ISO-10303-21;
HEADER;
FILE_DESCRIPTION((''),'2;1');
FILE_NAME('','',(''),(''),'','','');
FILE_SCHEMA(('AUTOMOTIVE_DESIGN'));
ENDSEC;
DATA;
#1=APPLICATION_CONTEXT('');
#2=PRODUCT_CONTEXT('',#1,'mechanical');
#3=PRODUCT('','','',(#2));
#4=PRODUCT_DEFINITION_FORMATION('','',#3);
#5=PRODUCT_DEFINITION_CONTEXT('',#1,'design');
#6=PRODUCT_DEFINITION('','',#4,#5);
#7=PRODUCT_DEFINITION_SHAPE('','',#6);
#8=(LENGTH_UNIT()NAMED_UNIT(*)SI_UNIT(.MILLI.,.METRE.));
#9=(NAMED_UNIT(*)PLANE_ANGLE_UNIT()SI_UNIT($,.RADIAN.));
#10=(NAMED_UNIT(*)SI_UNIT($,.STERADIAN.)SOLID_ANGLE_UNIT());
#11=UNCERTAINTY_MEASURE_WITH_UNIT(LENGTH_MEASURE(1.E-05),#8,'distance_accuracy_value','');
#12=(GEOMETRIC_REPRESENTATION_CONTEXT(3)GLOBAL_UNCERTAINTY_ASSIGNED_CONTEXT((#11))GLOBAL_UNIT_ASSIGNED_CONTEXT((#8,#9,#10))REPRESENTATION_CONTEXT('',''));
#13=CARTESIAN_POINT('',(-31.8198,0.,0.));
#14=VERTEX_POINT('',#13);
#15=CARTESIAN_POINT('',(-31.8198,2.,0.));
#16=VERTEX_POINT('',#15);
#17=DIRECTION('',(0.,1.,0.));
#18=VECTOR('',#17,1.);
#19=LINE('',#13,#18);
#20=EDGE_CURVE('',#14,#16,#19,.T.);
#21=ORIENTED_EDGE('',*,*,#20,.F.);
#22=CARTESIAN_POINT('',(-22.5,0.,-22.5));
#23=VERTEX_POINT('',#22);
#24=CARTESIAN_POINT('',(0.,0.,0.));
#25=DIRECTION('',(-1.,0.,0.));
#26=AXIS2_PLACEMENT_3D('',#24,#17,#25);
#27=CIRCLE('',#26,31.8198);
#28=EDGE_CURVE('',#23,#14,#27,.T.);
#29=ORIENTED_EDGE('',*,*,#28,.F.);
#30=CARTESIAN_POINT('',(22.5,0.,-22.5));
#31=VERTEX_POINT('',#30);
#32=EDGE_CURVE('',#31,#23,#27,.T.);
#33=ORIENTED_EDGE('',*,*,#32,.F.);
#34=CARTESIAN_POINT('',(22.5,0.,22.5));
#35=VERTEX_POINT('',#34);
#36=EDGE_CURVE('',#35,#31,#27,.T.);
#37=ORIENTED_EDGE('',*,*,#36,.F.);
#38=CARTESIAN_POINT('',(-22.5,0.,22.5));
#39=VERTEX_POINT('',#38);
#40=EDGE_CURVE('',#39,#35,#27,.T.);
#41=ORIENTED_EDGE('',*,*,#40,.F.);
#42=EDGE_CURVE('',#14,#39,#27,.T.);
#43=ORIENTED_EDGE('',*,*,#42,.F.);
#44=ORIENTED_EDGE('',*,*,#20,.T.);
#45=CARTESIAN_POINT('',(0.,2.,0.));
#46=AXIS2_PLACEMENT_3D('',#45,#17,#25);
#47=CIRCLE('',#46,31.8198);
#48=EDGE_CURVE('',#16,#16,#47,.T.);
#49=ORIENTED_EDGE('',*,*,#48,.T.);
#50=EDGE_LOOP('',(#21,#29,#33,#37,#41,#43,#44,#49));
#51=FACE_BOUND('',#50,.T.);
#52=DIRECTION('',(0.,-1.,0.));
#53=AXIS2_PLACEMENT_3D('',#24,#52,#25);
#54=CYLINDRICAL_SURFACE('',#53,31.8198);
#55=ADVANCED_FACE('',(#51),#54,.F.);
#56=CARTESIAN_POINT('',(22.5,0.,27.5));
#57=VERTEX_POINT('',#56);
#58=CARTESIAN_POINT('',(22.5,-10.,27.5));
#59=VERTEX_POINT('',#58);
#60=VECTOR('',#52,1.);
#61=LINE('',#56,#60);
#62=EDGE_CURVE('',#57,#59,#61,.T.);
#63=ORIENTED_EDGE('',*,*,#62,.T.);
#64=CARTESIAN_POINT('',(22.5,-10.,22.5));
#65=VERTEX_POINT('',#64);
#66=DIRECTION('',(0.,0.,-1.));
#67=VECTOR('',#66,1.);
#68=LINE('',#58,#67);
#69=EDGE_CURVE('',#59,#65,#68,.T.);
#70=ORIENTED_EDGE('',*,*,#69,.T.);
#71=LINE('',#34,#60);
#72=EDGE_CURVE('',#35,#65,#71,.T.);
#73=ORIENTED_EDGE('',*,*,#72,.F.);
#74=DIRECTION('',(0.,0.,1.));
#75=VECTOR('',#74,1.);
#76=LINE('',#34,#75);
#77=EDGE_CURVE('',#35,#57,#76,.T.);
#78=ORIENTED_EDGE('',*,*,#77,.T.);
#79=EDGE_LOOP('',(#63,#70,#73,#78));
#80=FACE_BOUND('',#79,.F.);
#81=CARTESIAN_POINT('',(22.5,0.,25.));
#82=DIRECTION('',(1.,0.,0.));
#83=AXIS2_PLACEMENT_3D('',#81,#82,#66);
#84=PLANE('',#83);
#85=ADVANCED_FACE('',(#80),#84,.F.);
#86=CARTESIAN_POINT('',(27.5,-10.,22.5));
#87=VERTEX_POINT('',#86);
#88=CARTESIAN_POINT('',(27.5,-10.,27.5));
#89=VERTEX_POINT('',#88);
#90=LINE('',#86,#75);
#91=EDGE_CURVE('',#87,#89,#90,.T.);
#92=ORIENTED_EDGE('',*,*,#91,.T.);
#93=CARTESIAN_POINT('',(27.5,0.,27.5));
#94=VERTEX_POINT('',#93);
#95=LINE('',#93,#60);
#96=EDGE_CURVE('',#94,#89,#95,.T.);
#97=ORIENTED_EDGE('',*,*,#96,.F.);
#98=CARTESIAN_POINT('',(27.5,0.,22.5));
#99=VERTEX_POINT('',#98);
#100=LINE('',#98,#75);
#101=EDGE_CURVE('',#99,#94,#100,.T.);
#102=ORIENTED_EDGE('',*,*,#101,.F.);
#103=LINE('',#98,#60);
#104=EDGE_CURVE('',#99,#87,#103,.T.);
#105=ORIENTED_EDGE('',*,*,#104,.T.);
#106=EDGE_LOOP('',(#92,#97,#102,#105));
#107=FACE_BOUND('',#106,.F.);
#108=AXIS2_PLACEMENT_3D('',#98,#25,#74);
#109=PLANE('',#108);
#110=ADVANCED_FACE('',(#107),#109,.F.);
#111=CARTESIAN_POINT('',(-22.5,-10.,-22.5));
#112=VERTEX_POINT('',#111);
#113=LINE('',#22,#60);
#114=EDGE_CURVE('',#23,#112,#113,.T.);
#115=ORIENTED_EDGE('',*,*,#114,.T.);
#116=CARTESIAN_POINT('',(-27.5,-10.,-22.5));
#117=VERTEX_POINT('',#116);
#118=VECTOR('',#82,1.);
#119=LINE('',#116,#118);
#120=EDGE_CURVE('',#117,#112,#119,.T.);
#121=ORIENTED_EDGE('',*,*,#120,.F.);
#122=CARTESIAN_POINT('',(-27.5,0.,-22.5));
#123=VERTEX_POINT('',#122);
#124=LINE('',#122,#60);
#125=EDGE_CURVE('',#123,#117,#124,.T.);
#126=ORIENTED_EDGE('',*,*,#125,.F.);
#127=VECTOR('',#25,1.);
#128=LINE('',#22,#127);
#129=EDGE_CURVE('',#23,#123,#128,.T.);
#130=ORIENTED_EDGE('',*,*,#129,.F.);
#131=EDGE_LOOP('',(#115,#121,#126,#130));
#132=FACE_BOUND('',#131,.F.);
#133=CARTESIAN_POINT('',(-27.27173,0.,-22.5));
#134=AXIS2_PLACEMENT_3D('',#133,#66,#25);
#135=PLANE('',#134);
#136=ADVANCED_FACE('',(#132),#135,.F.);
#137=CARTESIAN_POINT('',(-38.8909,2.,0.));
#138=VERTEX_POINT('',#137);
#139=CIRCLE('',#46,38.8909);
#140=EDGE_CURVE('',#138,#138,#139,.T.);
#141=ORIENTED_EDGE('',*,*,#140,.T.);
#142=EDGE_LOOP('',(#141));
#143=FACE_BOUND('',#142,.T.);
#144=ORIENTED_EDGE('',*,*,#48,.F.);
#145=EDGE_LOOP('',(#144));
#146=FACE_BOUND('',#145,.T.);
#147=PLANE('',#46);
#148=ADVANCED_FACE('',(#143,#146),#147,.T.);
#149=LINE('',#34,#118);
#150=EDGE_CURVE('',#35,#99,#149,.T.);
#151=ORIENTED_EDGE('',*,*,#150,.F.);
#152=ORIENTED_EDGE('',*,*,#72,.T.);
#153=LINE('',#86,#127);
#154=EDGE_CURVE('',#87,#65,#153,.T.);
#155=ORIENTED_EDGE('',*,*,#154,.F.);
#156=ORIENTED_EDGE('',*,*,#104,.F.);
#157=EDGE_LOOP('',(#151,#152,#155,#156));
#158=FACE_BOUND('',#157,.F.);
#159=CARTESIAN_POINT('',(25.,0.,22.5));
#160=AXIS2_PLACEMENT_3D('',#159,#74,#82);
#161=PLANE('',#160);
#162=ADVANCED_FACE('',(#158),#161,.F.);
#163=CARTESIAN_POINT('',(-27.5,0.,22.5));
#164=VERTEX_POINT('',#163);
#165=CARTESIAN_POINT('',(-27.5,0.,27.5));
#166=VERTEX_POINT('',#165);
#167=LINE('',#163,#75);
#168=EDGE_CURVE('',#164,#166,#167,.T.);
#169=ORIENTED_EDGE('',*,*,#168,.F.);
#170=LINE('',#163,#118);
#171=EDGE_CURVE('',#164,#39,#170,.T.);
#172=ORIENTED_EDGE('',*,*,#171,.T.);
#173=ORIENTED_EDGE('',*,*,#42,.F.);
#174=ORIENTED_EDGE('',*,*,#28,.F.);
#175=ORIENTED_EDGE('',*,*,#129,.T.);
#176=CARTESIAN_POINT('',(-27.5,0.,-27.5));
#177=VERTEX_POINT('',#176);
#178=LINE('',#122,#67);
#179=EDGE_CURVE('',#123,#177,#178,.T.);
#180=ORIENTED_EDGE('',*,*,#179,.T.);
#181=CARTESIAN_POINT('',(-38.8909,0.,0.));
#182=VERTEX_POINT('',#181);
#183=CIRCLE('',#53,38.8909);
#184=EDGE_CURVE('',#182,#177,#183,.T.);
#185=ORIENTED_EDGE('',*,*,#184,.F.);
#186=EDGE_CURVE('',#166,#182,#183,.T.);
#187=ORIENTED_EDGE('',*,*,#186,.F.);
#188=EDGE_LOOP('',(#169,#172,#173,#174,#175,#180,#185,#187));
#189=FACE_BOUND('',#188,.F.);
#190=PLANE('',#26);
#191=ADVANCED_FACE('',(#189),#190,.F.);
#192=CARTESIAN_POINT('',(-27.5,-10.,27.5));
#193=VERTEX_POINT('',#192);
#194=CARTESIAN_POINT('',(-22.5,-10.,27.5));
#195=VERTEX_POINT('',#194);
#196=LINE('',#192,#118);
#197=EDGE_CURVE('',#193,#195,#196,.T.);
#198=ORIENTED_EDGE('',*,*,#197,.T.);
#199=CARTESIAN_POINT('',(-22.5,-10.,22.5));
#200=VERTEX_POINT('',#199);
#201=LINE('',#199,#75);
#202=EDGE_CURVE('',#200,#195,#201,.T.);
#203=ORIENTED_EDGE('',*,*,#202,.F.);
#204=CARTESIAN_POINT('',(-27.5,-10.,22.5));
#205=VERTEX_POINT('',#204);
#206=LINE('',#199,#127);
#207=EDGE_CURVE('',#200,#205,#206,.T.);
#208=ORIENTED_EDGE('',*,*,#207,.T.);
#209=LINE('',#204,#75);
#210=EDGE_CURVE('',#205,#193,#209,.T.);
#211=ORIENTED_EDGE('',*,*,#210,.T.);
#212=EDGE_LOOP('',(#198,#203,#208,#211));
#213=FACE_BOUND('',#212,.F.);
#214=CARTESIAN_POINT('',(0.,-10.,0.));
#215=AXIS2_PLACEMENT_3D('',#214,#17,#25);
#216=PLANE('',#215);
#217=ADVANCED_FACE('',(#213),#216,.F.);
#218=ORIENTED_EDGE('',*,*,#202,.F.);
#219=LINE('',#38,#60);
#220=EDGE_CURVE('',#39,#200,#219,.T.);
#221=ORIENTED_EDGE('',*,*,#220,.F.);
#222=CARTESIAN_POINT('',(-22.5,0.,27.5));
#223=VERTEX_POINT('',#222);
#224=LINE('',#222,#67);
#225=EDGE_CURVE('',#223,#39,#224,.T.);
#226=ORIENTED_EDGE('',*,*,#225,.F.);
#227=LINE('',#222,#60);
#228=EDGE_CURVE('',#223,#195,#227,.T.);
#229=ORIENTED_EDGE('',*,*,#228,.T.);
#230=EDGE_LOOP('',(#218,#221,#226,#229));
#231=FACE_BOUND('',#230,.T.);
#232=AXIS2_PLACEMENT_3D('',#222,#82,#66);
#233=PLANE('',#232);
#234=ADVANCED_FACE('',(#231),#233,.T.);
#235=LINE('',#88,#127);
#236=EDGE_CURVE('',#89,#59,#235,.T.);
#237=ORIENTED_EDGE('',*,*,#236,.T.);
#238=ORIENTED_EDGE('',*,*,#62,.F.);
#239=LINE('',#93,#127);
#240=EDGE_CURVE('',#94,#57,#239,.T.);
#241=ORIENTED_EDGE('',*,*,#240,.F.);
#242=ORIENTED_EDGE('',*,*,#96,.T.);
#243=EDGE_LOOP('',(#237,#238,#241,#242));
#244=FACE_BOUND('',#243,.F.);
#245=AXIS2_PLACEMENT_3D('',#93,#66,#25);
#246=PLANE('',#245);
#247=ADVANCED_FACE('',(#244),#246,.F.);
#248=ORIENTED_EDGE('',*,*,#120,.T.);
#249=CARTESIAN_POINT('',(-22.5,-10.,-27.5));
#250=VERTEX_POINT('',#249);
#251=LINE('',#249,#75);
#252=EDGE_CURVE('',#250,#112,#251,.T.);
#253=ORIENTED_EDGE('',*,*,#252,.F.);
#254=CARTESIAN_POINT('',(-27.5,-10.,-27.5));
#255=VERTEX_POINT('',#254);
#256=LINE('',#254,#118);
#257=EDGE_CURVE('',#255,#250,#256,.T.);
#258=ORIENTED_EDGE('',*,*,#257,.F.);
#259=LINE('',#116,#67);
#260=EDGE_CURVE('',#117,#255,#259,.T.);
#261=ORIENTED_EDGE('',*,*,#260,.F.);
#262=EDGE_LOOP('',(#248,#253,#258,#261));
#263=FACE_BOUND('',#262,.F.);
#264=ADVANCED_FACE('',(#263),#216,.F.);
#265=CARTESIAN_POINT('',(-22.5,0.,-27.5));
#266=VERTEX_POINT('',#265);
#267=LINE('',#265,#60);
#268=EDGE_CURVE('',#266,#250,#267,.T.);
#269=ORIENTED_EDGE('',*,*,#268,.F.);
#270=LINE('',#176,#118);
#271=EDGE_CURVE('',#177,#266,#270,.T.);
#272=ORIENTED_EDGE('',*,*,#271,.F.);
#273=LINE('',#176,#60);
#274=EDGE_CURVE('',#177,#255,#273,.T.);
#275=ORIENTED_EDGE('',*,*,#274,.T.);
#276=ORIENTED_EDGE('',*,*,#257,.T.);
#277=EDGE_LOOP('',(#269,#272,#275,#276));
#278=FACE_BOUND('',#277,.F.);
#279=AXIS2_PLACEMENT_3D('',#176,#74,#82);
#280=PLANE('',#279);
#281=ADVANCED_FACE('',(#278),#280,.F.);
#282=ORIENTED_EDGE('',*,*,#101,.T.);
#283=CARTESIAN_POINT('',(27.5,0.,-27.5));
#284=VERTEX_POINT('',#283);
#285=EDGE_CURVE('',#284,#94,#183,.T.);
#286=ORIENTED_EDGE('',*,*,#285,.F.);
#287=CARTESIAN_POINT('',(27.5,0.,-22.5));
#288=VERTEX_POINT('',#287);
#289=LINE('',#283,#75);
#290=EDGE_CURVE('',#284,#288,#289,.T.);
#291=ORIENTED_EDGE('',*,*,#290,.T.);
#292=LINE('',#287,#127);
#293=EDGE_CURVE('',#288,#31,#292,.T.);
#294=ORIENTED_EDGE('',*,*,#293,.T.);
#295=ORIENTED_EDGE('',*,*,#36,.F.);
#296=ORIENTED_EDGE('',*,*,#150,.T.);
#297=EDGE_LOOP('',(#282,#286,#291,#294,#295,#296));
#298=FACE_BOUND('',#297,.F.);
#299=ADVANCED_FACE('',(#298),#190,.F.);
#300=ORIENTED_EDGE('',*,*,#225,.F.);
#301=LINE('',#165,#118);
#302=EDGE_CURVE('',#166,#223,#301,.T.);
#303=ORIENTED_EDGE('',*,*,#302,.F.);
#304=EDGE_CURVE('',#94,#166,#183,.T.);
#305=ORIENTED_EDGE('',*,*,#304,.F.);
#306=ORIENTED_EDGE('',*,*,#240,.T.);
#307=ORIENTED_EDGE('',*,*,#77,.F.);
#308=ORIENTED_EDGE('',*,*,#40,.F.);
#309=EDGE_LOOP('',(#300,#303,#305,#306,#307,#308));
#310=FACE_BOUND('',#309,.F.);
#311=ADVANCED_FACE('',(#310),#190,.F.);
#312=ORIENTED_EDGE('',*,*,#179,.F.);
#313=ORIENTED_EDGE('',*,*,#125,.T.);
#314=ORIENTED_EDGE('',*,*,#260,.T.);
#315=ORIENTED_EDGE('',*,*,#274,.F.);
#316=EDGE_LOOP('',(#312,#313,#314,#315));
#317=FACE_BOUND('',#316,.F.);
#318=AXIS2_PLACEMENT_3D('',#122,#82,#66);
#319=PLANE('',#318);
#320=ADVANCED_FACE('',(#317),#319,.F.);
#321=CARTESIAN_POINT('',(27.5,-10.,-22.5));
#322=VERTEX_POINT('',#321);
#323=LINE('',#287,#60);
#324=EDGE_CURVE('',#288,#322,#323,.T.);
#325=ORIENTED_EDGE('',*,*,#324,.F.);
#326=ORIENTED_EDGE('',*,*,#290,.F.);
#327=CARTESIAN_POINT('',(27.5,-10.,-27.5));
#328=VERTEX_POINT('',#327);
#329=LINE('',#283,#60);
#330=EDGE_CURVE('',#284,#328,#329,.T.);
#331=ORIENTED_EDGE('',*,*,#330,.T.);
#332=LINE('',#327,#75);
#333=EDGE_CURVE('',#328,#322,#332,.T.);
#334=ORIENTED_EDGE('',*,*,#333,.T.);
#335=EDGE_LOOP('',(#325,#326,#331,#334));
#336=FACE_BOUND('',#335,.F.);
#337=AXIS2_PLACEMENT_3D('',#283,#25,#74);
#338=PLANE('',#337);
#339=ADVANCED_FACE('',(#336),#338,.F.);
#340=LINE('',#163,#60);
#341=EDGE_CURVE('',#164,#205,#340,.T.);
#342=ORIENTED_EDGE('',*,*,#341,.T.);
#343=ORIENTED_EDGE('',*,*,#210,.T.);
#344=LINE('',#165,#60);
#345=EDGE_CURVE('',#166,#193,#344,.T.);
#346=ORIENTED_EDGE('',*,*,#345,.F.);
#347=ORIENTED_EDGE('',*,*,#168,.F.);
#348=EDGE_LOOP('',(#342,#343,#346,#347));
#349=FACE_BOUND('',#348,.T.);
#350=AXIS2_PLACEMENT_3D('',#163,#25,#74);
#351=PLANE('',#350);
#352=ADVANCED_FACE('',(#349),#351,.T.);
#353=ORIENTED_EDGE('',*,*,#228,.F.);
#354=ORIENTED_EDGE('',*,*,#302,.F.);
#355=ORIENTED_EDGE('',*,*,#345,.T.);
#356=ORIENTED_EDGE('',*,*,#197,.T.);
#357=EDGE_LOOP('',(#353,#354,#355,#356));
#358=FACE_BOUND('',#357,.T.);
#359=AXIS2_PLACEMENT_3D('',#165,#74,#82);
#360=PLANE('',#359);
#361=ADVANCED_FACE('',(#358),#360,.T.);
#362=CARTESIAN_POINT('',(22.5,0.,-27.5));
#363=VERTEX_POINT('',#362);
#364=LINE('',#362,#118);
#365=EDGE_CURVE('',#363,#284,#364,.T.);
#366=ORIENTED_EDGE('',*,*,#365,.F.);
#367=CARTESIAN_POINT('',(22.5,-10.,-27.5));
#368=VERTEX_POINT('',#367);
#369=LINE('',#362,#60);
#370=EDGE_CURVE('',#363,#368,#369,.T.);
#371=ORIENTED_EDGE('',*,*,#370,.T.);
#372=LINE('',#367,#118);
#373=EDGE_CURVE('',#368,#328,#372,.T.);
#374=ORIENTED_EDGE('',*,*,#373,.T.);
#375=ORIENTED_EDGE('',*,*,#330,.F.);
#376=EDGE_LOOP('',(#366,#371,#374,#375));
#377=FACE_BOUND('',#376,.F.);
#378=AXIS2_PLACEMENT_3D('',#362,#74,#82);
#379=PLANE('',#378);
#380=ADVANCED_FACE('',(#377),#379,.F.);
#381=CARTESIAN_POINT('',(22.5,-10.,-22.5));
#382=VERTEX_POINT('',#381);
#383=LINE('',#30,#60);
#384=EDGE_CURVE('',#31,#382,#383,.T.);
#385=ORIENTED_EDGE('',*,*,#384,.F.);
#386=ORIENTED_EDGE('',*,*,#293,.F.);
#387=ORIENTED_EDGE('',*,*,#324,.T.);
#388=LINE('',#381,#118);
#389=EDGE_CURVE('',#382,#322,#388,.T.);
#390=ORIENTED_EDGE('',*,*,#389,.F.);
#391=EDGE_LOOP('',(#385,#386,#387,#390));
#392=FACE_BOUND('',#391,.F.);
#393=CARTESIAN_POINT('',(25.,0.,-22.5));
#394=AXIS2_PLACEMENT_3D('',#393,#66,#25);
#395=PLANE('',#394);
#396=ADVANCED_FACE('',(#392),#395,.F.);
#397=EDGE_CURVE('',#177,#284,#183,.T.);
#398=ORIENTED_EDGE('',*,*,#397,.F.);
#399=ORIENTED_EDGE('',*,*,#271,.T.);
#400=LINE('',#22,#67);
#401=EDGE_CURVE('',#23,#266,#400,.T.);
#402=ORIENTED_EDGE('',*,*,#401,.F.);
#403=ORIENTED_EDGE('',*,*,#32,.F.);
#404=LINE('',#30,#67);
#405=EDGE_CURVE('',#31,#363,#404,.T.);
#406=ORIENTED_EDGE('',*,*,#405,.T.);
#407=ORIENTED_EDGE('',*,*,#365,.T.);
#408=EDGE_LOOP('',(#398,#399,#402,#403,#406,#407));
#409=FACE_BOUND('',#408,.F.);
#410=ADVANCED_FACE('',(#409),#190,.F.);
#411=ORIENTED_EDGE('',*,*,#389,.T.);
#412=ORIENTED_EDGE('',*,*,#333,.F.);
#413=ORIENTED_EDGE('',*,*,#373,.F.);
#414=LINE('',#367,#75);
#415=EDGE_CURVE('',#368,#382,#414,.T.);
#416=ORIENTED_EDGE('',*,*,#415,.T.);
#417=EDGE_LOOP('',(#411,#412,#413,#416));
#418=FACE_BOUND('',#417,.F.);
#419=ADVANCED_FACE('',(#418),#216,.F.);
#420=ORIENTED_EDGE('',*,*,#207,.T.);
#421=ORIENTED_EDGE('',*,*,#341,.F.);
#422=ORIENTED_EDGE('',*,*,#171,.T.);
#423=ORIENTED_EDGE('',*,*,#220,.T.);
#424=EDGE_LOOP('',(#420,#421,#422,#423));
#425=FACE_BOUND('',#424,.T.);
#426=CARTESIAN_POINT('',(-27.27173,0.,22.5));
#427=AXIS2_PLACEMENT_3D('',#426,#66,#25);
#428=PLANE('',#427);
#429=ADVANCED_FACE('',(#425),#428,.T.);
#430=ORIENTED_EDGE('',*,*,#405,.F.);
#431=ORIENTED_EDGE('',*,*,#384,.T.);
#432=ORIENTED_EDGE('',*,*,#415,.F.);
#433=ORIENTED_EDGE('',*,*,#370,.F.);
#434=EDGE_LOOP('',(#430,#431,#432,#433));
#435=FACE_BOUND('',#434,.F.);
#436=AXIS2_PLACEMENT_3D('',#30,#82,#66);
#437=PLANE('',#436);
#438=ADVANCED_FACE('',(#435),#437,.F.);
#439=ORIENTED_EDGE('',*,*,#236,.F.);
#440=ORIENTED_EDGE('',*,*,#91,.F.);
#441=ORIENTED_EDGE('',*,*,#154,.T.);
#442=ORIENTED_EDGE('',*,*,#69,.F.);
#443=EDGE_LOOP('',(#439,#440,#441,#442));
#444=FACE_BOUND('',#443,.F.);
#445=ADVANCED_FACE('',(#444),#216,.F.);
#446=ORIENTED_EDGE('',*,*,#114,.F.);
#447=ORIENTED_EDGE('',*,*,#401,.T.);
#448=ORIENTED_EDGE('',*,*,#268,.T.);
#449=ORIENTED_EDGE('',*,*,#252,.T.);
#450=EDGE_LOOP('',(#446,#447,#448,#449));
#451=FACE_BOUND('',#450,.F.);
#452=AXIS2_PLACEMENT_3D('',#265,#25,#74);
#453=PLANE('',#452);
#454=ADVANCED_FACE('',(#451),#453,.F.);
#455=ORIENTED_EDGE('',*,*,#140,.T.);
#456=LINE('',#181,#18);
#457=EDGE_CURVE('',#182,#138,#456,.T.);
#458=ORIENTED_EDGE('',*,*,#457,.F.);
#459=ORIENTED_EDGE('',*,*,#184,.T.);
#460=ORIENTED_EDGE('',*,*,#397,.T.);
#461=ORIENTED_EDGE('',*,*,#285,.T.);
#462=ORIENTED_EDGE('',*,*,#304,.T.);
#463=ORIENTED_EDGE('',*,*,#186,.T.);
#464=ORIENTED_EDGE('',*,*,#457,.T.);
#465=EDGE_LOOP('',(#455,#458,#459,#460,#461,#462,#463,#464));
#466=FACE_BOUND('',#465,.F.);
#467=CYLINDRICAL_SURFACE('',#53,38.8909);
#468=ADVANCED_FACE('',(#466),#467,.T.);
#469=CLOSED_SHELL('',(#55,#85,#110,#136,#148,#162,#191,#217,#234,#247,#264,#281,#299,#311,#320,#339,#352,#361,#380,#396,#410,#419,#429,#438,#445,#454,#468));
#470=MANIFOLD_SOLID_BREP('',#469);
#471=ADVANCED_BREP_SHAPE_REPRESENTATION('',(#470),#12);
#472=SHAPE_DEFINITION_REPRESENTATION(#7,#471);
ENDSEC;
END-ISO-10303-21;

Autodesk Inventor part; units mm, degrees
ref_plane "YZ Plane" through (0, 0, 0) normal (1, 0, 0) x (0, 1, 0)
ref_plane "XZ Plane" through (0, 0, 0) normal (0, 1, 0) x (-1, 0, 0)
ref_plane "XY Plane" through (0, 0, 0) normal (0, 0, 1) x (1, 0, 0)
sketch "Szkic1" plane through (0, 0, 0) normal (0, 1, 0) x (-1, 0, 0)
  line L0 (-25, -25) -> (25, -25)
  line L1 (25, -25) -> (25, 25)
  line L2 (25, 25) -> (-25, 25)
  line L3 (-25, 25) -> (-25, -25)
  line L4 (-25, -25) -> (25, 25) construction
  line L5 (25, -25) -> (-25, 25) construction
  line L6 (22.5, 22.5) -> (27.5, 22.5)
  line L7 (27.5, 22.5) -> (27.5, 27.5)
  line L8 (27.5, 27.5) -> (22.5, 27.5)
  line L9 (22.5, 27.5) -> (22.5, 22.5)
  line L10 (22.5, 22.5) -> (27.5, 27.5) construction
  line L11 (27.5, 22.5) -> (22.5, 27.5) construction
  line L12 (27.5, -27.5) -> (22.5, -27.5)
  line L13 (22.5, -27.5) -> (22.5, -22.5)
  line L14 (22.5, -22.5) -> (27.5, -22.5)
  line L15 (27.5, -22.5) -> (27.5, -27.5)
  line L16 (27.5, -27.5) -> (22.5, -22.5) construction
  line L17 (22.5, -27.5) -> (27.5, -22.5) construction
  line L18 (-27.5, -22.5) -> (-22.5, -22.5)
  line L19 (-22.5, -22.5) -> (-22.5, -27.5)
  line L20 (-22.5, -27.5) -> (-27.5, -27.5)
  line L21 (-27.5, -27.5) -> (-27.5, -22.5)
  line L22 (-27.5, -22.5) -> (-22.5, -27.5) construction
  line L23 (-22.5, -22.5) -> (-27.5, -27.5) construction
  line L24 (-27.5, 27.5) -> (-22.5, 27.5)
  line L25 (-22.5, 27.5) -> (-22.5, 22.5)
  line L26 (-22.5, 22.5) -> (-27.5, 22.5)
  line L27 (-27.5, 22.5) -> (-27.5, 27.5)
  line L28 (-27.5, 27.5) -> (-22.5, 22.5) construction
  line L29 (-22.5, 27.5) -> (-27.5, 22.5) construction
  circle A0 centre (0, 0) radius 35.3553
  circle A1 centre (0, 0) radius 38.8909
  circle A2 centre (0, 0) radius 31.8198
  point P0 (-19.685, 25)
  point P1 (19.685, 25)
  point P2 (25, 19.685)
  point P3 (25, -19.685)
  point P4 (19.685, -25)
  point P5 (-19.685, -25)
  point P6 (-25, -19.685)
  point P7 (-25, 19.685)
  dimension "d14" = 63.6396
  dimension "d0" = 50
  dimension "d1" = 50
  dimension "d2" = 5
  dimension "d3" = 5
  dimension "d4" = 5
  dimension "d5" = 5
  dimension "d6" = 5
  dimension "d7" = 5
  dimension "d8" = 5
  dimension "d9" = 5
extrude "Wyciągnięcie proste1" add sketch "Szkic1" along normal blind 2 contours L3 L18 L19 L0 | A0 L18 L3 | A0 L19 L20 L21 L18 | L0 L19 A0 | L19 A2 L0 | L0 A2 L13 A0 L19 | L18 A0 L26 L3 A2 | L3 A2 L18 | L18 L21 A1 L27 L26 A0 | A0 L13 L12 A1 L20 L19 | A0 L3 L26 | L26 L27 L24 L25 A0 | A0 L14 L15 L12 L13 | L13 L0 A0 | A2 L13 L0 | L3 L26 A2 | L3 L2 L25 L26 | A0 L25 L2 | L13 L14 L1 L0 | L1 L14 A0 | A2 L1 L14 | L25 L2 A2 | A1 L8 L9 A0 L25 L24 | L15 L14 A0 L6 L7 A1 | L25 A0 L9 L2 A2 | L1 A2 L6 A0 L14 | L7 L6 A0 L9 L8 | A0 L2 L9 | A2 L6 L1 | L2 L9 A2 | L2 L1 L6 L9 | A0 L6 L1
extrude "Wyciągnięcie proste2" add sketch "Szkic1" against normal blind 10 contours L3 L18 L19 L0 | A0 L18 L3 | A0 L19 L20 L21 L18 | L0 L19 A0 | A0 L3 L26 | L26 L27 L24 L25 A0 | A0 L14 L15 L12 L13 | L13 L0 A0 | L3 L2 L25 L26 | A0 L25 L2 | L13 L14 L1 L0 | L1 L14 A0 | L7 L6 A0 L9 L8 | A0 L2 L9 | L2 L1 L6 L9 | A0 L6 L1
equation "\"d7\" = d6"
properties part number "Tarcza_Podkładka" material "Polietylen o dużej gęstości"
